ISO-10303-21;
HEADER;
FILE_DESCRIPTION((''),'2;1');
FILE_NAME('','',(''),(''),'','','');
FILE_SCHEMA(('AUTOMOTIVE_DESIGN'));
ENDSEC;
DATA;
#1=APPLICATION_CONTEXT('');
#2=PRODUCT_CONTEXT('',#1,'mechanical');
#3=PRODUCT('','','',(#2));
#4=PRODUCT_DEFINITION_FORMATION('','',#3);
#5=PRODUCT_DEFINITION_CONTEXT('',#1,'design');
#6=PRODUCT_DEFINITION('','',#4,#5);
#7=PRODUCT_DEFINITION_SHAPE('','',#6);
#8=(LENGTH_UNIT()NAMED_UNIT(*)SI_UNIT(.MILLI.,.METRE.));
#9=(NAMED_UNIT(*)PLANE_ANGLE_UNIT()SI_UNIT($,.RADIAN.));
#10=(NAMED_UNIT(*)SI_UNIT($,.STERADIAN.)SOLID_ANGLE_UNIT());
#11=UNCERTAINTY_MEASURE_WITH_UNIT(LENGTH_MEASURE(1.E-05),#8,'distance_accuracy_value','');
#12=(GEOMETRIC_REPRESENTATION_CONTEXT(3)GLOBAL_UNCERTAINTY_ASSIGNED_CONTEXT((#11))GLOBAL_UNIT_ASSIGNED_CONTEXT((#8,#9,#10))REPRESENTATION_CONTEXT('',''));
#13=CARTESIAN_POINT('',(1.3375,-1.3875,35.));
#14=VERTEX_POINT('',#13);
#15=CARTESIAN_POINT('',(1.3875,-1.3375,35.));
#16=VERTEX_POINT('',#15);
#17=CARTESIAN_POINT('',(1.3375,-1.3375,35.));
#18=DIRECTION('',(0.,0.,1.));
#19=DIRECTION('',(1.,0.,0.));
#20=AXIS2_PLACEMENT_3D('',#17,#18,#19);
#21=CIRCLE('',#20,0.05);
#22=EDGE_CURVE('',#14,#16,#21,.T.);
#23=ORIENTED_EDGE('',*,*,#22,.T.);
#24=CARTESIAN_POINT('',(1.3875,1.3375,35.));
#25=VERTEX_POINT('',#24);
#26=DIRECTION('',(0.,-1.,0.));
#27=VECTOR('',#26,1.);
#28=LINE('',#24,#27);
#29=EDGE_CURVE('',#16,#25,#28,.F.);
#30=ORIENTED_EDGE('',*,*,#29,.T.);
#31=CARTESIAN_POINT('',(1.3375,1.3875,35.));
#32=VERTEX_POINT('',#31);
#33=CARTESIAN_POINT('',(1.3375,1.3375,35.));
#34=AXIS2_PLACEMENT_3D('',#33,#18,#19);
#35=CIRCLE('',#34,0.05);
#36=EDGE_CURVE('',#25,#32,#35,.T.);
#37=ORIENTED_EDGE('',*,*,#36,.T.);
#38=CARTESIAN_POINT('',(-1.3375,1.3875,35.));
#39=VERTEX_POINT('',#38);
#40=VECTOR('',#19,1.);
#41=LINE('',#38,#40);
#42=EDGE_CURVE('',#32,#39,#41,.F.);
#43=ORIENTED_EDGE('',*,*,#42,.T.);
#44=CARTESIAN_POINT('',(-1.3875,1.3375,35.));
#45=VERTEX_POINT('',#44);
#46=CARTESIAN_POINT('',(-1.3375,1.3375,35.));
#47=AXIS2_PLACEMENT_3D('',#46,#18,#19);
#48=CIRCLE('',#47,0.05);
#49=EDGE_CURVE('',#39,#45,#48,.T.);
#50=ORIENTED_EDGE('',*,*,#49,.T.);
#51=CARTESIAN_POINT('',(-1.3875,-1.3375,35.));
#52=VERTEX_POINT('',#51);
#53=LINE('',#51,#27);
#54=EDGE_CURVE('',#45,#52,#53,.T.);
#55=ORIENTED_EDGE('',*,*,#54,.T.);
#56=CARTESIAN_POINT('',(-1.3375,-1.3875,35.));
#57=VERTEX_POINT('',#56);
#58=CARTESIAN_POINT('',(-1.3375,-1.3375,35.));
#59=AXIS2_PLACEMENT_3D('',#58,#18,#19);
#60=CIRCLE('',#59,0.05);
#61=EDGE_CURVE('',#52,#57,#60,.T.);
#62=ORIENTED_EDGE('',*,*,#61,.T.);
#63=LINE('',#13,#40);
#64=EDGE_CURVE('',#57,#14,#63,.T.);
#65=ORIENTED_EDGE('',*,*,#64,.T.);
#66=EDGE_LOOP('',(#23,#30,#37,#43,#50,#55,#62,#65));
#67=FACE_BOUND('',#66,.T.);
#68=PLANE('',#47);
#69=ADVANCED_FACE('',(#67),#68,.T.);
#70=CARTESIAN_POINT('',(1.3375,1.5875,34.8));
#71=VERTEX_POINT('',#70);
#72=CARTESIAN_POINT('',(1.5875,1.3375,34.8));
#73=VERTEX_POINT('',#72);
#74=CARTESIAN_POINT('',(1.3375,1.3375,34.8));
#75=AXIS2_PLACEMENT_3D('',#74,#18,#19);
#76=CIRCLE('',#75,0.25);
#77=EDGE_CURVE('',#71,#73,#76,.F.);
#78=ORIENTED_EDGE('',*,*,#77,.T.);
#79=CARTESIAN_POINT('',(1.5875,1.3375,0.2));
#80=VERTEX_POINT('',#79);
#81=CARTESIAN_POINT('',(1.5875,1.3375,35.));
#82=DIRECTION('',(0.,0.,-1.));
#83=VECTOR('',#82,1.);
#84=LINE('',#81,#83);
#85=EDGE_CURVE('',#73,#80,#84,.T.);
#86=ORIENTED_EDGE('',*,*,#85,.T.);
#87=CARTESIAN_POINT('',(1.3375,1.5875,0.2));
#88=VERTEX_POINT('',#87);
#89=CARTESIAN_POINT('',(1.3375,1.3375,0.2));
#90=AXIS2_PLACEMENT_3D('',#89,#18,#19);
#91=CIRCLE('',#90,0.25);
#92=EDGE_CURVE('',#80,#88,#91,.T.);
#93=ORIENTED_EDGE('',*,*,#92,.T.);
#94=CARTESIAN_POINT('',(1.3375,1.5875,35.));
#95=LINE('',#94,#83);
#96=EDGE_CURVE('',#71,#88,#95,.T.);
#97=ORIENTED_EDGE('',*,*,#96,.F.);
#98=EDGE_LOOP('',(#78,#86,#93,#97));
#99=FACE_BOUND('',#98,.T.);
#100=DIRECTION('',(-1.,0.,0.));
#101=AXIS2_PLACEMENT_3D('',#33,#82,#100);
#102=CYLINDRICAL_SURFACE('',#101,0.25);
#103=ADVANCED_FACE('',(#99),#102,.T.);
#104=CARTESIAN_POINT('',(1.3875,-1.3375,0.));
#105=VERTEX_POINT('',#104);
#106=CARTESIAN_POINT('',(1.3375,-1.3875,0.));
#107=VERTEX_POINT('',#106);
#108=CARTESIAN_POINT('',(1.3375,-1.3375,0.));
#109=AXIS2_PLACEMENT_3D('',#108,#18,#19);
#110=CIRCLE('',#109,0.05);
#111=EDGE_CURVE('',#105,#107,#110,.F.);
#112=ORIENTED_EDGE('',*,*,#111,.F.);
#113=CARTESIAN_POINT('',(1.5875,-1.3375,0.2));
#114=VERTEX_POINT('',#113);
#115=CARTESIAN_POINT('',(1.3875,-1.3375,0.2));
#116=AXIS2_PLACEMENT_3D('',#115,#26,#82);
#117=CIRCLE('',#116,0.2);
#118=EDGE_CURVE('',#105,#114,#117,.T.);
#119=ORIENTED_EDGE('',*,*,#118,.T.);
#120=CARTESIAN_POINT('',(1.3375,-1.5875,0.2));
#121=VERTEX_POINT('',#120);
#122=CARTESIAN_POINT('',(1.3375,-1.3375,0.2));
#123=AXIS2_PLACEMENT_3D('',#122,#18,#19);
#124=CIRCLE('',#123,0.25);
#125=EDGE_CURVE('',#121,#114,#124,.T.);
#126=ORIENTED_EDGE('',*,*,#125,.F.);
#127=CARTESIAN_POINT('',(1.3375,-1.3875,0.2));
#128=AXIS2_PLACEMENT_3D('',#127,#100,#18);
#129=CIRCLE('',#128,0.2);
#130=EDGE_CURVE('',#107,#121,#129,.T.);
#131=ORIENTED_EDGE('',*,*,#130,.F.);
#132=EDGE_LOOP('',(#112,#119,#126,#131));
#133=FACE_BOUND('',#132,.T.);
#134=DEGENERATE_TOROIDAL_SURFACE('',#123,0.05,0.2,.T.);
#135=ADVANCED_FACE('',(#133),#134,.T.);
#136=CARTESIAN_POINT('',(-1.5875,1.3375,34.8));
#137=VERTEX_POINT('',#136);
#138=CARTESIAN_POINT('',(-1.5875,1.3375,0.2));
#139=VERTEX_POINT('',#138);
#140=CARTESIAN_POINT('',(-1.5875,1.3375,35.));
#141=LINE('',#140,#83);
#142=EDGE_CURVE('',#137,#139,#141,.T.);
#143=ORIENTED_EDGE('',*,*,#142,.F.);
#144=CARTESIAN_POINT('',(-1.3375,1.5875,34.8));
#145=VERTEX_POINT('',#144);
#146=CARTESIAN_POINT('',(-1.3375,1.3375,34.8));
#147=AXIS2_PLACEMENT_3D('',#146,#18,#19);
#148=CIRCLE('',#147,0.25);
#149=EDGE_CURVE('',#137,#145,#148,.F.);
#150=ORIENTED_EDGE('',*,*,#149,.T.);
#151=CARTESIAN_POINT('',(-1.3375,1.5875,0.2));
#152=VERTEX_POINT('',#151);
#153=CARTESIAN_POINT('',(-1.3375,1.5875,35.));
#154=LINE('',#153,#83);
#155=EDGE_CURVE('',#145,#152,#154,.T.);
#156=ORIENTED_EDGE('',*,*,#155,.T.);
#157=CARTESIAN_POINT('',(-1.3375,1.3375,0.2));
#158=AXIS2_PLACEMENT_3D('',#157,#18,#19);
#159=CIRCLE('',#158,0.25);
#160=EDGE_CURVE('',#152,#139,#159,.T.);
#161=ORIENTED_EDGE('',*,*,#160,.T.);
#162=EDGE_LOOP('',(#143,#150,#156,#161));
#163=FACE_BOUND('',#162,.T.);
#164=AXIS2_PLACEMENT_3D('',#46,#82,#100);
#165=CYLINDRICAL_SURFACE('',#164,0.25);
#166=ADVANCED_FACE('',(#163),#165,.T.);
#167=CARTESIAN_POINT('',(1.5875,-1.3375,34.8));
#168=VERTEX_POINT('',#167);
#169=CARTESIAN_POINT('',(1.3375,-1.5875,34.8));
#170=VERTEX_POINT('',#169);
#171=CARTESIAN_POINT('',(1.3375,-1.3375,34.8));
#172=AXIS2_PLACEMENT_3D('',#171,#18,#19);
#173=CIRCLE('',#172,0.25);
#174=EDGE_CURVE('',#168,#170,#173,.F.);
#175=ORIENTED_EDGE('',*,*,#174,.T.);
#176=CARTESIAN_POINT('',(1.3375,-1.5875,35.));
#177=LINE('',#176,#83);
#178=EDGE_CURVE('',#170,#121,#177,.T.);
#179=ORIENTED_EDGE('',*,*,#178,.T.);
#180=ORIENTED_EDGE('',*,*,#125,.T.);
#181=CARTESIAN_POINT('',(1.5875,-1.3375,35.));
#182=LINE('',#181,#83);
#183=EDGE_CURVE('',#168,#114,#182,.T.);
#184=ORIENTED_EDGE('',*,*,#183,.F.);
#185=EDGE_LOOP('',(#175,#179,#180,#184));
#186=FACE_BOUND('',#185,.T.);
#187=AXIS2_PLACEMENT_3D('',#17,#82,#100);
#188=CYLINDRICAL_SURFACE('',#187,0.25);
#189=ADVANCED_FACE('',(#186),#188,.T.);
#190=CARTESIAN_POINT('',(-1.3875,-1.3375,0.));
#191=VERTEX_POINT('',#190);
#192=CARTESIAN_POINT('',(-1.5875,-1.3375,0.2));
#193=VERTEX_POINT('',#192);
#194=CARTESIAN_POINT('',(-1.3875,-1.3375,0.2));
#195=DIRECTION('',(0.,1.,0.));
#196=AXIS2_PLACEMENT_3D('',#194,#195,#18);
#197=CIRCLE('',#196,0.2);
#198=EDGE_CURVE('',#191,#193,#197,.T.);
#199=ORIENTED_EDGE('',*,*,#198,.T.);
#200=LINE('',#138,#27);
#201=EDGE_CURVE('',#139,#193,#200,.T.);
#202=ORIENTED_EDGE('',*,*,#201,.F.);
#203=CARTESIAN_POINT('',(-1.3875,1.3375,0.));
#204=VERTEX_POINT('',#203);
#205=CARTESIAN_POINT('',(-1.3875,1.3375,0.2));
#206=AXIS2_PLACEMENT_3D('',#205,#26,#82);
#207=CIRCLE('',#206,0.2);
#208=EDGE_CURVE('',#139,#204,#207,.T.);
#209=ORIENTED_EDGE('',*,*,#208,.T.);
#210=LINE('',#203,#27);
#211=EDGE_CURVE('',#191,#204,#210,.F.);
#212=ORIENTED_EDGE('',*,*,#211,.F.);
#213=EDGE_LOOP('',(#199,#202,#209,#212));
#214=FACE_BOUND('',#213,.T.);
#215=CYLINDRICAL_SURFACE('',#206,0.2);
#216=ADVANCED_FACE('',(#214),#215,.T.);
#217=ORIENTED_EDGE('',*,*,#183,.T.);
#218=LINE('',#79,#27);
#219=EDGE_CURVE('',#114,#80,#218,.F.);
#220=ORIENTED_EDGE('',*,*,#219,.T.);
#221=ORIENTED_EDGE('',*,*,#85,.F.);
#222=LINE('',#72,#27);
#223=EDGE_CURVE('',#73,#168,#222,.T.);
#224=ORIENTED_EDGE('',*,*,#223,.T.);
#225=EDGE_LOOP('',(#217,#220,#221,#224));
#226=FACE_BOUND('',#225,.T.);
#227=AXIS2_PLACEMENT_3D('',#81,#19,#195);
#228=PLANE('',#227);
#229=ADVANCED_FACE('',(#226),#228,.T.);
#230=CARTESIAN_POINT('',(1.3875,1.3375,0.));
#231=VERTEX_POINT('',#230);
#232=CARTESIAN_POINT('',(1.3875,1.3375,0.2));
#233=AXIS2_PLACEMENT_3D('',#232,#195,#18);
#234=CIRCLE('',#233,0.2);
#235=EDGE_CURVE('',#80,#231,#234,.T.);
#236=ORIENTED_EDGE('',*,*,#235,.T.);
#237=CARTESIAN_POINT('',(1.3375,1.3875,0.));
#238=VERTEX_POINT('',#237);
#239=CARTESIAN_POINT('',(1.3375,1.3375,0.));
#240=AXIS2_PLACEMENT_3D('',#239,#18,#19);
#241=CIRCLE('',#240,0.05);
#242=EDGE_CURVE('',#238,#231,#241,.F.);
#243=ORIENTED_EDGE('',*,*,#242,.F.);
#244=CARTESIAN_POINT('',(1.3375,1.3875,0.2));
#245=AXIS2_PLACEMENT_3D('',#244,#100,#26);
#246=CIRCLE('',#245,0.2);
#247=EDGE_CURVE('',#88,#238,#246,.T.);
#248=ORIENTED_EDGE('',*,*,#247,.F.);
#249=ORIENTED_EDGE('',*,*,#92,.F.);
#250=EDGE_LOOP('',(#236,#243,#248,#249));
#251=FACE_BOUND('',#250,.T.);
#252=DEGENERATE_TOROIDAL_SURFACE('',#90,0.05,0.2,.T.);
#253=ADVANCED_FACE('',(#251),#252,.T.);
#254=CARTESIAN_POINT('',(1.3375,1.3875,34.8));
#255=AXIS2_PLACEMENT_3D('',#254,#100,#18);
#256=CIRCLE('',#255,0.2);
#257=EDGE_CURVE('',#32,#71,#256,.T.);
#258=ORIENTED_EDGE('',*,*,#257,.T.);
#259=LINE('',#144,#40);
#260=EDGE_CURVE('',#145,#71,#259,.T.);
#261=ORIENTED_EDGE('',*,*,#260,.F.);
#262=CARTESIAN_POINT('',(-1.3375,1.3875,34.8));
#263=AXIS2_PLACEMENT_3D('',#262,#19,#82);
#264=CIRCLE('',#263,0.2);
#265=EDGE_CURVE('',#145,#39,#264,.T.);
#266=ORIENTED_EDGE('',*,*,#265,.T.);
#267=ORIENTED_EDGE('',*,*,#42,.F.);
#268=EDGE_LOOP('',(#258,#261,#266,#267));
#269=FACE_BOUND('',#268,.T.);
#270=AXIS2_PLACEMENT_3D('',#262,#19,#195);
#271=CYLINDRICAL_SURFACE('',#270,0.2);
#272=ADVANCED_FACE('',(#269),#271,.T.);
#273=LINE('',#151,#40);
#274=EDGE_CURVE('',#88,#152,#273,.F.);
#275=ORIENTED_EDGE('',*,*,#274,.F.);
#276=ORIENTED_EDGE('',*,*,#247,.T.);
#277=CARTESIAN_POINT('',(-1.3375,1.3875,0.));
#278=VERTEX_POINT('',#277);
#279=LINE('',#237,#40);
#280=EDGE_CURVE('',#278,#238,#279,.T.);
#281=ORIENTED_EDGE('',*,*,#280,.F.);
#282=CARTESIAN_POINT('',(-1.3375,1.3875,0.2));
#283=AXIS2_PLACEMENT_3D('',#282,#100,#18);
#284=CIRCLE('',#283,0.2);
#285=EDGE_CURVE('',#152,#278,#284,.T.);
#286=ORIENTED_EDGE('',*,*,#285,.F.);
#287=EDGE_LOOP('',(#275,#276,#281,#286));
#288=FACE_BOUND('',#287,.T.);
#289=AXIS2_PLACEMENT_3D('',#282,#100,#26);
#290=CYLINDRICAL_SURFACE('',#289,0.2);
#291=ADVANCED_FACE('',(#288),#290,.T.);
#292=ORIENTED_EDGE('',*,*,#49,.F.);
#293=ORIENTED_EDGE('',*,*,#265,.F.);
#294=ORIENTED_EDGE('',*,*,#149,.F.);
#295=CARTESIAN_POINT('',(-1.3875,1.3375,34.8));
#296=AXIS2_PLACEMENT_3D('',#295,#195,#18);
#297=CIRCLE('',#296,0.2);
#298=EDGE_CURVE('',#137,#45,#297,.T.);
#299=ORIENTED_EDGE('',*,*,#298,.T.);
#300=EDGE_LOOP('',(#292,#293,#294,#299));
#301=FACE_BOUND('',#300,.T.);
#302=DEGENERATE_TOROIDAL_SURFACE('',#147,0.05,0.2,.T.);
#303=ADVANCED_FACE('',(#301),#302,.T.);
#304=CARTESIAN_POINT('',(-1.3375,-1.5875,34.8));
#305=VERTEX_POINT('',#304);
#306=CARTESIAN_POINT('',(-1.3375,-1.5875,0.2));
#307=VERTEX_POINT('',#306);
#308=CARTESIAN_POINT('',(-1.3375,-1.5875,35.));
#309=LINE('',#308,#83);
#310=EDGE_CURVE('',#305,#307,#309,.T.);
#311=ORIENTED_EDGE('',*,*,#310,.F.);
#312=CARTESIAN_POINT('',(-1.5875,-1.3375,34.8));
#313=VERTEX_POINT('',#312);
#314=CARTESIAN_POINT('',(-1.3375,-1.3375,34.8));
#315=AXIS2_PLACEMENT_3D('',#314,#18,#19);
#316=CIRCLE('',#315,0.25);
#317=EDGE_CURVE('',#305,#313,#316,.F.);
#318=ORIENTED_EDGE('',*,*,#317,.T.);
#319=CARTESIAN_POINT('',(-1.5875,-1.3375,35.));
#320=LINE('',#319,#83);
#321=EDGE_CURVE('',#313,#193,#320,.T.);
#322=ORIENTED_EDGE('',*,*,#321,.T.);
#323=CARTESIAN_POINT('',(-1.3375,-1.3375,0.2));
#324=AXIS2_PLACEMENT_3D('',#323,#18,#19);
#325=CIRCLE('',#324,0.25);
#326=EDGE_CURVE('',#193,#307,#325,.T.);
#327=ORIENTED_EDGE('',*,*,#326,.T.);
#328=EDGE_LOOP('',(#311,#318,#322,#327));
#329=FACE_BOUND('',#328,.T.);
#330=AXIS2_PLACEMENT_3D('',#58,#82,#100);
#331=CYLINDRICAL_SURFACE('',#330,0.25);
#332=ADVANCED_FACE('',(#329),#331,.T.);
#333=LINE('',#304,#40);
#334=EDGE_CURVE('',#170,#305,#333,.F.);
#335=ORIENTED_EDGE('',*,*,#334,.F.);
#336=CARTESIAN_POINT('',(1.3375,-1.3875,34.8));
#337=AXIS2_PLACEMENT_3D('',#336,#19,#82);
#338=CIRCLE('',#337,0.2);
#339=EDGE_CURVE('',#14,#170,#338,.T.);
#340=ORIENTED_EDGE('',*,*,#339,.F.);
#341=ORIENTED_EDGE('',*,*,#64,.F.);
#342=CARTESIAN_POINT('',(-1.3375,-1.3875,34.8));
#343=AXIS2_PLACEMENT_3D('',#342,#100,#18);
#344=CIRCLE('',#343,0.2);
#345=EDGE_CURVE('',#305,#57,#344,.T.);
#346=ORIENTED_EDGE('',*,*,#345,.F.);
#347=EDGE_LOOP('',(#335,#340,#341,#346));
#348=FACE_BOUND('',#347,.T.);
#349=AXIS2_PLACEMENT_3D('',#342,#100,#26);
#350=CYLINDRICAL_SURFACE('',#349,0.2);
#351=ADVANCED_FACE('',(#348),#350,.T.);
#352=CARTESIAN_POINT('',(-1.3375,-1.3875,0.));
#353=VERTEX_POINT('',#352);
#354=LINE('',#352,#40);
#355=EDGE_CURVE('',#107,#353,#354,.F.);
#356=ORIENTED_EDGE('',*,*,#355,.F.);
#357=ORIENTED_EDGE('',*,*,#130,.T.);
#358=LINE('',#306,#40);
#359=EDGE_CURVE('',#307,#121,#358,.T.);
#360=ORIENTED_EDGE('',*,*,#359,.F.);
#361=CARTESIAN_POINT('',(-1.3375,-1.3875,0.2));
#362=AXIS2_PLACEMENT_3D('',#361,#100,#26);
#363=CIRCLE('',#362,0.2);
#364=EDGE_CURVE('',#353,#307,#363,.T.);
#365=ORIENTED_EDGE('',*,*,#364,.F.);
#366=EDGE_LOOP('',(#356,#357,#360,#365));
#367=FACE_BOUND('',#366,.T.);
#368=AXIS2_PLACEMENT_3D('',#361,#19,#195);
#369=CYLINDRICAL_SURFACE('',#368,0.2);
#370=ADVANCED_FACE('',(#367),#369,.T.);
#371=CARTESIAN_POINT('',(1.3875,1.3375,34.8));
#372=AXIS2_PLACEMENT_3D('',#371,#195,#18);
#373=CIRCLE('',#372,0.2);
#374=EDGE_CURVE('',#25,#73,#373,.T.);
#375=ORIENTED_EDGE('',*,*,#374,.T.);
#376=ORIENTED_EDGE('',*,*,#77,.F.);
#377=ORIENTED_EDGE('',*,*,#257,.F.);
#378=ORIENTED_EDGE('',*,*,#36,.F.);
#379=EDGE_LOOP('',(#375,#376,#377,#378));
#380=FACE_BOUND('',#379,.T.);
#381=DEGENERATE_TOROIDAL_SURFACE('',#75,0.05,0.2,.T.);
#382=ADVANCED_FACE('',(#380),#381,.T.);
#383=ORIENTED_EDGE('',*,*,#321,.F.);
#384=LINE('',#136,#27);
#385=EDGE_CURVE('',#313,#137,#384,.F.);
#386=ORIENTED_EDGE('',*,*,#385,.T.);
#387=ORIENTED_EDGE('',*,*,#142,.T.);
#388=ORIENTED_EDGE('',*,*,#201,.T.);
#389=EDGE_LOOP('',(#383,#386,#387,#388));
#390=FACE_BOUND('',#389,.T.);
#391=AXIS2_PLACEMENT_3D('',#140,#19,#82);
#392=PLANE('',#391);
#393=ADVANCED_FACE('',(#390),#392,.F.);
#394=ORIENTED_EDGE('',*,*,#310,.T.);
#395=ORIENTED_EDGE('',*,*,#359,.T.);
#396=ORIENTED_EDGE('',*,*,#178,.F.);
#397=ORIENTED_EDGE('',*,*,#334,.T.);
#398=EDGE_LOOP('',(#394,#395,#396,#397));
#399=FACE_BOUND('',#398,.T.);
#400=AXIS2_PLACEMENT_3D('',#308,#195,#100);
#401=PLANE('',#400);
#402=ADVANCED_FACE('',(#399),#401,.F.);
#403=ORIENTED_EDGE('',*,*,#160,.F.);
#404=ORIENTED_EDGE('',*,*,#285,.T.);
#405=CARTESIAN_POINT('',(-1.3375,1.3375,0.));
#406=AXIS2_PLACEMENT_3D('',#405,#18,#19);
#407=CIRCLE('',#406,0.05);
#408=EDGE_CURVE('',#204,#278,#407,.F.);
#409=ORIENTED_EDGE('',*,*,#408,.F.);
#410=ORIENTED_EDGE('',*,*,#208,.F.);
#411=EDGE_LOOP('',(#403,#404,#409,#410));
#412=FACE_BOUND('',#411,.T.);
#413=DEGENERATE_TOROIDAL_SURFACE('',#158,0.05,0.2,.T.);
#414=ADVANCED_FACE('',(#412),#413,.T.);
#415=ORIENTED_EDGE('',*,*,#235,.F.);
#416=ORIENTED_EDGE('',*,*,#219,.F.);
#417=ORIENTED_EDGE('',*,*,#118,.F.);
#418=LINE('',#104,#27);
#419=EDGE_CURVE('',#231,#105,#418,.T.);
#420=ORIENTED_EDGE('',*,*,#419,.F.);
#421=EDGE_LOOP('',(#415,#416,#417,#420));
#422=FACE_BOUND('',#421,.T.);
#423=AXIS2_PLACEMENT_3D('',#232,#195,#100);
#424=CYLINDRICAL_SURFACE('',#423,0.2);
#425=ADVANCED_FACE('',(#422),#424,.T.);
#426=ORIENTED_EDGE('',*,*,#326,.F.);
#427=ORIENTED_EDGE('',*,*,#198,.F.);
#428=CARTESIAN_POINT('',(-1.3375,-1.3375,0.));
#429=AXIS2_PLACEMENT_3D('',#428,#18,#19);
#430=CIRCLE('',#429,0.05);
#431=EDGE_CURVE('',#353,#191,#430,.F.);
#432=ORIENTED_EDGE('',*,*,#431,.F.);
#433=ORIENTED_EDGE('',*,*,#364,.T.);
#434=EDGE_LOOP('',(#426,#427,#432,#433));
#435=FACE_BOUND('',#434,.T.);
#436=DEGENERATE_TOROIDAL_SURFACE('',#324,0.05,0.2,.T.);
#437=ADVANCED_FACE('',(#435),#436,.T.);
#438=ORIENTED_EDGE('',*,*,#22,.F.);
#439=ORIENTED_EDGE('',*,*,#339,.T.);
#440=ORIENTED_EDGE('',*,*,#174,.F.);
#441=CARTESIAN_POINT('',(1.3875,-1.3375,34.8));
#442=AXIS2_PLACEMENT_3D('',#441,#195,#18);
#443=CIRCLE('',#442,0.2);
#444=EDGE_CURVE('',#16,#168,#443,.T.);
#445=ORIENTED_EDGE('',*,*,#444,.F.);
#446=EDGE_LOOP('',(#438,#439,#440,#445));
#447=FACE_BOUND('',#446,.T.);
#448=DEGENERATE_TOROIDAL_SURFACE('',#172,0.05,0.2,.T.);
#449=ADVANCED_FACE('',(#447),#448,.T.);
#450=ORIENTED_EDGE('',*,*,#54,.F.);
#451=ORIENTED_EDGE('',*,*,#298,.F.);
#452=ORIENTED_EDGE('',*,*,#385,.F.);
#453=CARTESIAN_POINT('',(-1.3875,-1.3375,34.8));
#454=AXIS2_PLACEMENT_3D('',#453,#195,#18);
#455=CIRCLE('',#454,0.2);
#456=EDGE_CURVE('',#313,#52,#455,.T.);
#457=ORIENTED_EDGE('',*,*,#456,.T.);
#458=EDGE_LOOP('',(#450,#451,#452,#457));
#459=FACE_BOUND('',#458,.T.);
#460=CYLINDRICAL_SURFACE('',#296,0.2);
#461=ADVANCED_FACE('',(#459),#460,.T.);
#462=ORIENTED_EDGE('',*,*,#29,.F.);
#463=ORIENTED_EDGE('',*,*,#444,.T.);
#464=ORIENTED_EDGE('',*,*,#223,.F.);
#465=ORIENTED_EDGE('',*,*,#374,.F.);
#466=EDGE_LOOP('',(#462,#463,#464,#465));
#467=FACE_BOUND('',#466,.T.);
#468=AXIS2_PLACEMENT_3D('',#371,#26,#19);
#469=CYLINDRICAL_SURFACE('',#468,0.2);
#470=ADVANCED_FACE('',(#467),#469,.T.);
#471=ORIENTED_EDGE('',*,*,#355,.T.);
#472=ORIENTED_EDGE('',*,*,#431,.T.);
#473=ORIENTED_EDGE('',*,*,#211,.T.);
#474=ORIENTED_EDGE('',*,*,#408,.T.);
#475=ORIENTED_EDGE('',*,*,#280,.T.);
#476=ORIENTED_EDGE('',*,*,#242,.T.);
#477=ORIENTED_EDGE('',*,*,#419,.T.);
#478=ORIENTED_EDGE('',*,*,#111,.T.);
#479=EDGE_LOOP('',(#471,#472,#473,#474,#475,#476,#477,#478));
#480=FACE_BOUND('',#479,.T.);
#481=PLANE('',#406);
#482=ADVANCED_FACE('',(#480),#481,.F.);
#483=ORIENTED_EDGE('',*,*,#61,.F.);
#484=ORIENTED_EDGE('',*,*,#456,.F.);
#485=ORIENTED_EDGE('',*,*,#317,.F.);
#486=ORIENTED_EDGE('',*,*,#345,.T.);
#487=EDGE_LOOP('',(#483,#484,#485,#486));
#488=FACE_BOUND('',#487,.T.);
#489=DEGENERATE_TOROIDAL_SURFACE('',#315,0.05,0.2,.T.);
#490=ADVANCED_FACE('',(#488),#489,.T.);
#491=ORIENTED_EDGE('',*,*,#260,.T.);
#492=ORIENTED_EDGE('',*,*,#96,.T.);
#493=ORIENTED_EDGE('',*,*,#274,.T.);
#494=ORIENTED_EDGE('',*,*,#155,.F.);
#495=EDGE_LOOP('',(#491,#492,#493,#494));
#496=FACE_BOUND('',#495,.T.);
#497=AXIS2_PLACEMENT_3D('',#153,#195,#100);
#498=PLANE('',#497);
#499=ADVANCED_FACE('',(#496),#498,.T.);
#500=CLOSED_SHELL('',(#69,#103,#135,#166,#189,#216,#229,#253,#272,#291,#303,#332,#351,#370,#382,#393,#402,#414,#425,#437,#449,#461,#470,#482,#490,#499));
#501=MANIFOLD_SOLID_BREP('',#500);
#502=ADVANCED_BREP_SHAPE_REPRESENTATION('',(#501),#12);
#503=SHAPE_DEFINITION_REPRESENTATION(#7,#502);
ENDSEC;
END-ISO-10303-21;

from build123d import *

# Parameters (mm, degrees)
BOSS_EXTRUDE1_DEPTH = 35
FILLET1_R           = 0.2


with BuildPart() as part:
    # Sketch1 → Boss-Extrude1 (new body)
    with BuildSketch(Plane.XY):
        with BuildLine():
            Line((-1.3375, 1.5875), (1.3375, 1.5875))
            ThreePointArc((1.3375, 1.5875), (1.514276695, 1.514276695), (1.5875, 1.3375))
            Line((1.5875, 1.3375), (1.5875, -1.3375))
            ThreePointArc((1.5875, -1.3375), (1.514276695, -1.514276695), (1.3375, -1.5875))
            Line((1.3375, -1.5875), (-1.3375, -1.5875))
            ThreePointArc((-1.3375, -1.5875), (-1.514276695, -1.514276695), (-1.5875, -1.3375))
            Line((-1.5875, -1.3375), (-1.5875, 1.3375))
            ThreePointArc((-1.5875, 1.3375), (-1.514276695, 1.514276695), (-1.3375, 1.5875))
        make_face()
    extrude(amount=BOSS_EXTRUDE1_DEPTH)

    # Fillet1
    fillet1_edges = [part.edges().sort_by_distance(p)[0] for p in [
        (-1.514276695, -1.514276695, 35),
        (-1.5875, 0, 0),
        (-1.514276695, 1.514276695, 0),
        (0, -1.5875, 35),
        (1.514276695, -1.514276695, 35),
        (1.5875, 0, 35),
        (1.514276695, 1.514276695, 35),
        (0, 1.5875, 35),
        (-1.514276695, 1.514276695, 35),
        (-1.5875, 0, 35),
        (0, 1.5875, 0),
        (1.514276695, 1.514276695, 0),
        (1.5875, 0, 0),
        (1.514276695, -1.514276695, 0),
        (0, -1.5875, 0),
        (-1.514276695, -1.514276695, 0),
    ]]
    fillet(fillet1_edges, radius=FILLET1_R)


solid = part.part
